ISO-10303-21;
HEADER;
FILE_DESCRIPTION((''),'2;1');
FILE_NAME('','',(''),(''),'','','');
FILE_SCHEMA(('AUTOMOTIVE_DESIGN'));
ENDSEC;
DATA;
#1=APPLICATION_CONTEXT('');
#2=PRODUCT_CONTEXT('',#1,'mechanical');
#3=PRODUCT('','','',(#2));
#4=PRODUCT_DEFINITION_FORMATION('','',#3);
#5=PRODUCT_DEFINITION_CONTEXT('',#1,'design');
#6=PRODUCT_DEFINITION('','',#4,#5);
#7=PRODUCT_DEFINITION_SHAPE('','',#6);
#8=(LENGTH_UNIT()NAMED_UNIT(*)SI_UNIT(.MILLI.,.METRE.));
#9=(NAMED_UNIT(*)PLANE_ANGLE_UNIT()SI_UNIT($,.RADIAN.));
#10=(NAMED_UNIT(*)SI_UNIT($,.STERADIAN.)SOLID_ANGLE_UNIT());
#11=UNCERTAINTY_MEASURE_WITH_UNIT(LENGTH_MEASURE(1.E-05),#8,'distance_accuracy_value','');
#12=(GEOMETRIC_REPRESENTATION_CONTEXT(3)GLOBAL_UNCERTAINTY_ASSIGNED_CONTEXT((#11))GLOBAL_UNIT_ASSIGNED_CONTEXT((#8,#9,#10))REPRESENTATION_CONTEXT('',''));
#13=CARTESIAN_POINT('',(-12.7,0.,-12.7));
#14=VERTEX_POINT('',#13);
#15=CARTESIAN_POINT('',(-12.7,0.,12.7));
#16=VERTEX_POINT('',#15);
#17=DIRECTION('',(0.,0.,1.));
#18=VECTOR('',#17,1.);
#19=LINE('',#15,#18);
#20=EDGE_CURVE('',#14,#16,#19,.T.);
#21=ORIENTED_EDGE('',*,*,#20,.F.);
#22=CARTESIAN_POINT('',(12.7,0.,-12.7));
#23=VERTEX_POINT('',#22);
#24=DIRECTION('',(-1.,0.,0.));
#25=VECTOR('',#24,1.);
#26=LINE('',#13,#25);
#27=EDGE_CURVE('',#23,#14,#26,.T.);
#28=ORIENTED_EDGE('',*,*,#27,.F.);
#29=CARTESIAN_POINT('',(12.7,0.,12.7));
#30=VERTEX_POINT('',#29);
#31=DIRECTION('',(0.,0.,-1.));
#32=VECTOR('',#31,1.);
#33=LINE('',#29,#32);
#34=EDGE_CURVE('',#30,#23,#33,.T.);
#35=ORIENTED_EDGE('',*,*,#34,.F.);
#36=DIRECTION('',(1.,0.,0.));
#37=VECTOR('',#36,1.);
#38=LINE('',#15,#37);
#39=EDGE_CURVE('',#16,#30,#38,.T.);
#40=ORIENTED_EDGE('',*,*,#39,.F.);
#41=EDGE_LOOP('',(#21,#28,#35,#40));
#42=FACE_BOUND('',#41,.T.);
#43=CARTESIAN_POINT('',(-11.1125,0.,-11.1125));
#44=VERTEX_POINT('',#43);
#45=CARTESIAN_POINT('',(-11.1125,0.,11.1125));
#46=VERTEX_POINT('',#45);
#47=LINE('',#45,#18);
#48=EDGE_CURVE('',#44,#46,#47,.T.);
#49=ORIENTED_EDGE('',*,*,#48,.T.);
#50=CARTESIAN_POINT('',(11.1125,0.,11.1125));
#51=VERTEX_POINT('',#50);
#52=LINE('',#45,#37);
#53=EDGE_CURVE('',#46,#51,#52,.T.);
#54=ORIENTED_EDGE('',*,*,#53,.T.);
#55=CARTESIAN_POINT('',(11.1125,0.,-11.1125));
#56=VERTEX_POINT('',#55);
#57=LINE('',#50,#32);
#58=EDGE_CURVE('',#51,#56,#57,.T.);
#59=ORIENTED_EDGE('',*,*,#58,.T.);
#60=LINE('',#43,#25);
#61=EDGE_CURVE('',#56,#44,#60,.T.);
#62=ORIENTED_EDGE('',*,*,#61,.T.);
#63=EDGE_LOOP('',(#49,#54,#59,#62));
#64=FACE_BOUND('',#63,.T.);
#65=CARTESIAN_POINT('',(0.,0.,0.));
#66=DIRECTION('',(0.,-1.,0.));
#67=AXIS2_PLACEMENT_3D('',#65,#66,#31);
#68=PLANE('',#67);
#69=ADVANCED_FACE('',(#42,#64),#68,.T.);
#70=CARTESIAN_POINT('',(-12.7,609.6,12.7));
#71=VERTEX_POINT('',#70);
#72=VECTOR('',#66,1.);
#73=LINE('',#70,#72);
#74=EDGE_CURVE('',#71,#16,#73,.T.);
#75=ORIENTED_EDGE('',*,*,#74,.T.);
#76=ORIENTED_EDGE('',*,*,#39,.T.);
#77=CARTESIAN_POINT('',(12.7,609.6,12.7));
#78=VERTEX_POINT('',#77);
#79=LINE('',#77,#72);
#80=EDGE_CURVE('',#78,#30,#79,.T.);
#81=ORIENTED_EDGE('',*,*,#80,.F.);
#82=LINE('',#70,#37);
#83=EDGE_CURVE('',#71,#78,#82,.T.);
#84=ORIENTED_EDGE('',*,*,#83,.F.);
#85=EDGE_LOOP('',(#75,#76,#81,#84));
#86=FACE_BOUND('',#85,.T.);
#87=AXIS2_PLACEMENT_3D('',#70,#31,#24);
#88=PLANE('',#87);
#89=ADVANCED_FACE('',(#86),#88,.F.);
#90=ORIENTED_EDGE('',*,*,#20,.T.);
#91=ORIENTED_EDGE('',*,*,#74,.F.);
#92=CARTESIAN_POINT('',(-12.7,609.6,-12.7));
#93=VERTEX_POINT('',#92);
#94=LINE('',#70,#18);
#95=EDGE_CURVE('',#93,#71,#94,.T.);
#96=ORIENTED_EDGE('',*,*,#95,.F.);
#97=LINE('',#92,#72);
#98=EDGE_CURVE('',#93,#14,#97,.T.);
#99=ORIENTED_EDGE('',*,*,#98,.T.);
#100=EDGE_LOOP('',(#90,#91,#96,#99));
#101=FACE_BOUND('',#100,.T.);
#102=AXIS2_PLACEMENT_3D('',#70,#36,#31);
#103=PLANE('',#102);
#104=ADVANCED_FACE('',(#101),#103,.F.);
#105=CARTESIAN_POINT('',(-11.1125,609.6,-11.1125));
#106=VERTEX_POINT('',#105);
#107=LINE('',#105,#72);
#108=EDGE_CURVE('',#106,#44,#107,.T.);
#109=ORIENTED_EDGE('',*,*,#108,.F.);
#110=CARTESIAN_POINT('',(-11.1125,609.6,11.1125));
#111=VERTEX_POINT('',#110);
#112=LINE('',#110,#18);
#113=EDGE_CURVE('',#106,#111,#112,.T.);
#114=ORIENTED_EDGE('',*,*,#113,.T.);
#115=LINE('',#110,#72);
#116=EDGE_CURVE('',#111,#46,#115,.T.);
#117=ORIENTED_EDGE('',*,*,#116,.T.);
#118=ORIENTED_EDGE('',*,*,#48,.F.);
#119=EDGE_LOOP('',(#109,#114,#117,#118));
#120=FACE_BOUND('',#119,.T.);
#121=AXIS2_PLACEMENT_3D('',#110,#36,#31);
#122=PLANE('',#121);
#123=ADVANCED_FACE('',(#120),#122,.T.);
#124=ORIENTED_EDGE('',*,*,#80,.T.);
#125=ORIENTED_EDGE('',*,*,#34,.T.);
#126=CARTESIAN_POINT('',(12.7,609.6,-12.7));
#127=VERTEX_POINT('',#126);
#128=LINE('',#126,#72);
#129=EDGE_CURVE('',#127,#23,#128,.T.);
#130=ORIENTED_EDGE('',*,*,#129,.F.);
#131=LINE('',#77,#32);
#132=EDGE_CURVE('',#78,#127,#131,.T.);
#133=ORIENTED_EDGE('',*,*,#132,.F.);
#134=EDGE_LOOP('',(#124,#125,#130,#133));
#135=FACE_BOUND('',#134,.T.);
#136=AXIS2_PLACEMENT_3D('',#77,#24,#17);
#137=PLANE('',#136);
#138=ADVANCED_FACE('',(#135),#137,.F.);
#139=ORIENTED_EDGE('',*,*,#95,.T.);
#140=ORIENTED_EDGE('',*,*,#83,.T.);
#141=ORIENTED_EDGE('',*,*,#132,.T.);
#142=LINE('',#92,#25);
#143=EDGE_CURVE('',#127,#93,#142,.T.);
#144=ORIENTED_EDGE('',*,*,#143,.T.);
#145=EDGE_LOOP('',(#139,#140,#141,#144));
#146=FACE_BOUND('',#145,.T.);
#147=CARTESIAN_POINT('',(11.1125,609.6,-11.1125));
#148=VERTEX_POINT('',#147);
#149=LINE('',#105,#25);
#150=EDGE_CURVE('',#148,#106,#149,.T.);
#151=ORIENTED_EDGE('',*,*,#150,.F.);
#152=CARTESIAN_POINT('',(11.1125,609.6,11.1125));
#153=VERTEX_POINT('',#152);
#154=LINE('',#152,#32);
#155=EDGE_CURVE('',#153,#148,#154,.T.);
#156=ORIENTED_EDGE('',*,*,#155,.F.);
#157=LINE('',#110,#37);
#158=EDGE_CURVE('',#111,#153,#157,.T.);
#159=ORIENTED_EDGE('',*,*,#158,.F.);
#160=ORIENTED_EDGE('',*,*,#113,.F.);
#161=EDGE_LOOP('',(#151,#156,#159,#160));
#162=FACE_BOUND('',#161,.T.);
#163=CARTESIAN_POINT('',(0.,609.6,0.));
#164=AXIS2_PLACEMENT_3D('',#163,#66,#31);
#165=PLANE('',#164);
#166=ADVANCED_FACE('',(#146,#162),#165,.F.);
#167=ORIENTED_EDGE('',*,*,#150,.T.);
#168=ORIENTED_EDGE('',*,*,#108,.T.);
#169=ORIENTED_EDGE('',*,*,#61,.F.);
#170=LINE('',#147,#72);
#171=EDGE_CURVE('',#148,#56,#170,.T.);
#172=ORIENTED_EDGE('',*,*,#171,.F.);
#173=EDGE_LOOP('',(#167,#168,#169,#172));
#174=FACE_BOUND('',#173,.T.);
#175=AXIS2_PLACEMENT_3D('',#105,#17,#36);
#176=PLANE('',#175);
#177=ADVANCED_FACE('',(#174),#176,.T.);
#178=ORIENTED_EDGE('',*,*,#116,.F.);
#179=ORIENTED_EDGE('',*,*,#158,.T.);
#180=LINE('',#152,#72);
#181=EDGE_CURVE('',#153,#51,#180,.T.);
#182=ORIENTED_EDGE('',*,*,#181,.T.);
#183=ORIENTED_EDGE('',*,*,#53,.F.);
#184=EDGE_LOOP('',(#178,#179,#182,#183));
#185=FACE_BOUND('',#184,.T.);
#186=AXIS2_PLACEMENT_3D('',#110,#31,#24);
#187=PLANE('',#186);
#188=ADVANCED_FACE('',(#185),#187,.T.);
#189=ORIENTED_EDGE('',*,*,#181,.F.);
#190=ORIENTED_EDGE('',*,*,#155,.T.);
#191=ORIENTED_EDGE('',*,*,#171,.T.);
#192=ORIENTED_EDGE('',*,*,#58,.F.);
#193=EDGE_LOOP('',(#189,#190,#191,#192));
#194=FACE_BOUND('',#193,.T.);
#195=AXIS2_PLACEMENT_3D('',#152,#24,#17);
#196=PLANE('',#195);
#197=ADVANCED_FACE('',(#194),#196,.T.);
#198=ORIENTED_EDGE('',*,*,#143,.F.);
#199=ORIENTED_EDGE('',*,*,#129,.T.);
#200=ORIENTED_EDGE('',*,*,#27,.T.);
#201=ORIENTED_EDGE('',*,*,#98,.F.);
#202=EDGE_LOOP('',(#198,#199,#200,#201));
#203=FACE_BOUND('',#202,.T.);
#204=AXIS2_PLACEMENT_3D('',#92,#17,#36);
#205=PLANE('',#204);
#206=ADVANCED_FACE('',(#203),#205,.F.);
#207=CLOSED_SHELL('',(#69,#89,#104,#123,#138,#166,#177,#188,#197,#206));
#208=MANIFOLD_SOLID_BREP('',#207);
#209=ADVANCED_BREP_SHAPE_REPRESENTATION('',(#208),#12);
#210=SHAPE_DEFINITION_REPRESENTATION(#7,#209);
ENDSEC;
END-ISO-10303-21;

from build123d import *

# Parameters (mm, degrees)
SKETCH1_W           = 25.4
SKETCH1_H           = 25.4
SKETCH1_W_2         = 22.225
SKETCH1_H_2         = 22.225
BOSS_EXTRUDE1_DEPTH = 609.6


with BuildPart() as part:
    # Sketch1 → Boss-Extrude1 (new body)
    with BuildSketch(Plane(origin=(0, 0, 0), x_dir=(1, 0, 0), z_dir=(0, 1, 0))):
        Rectangle(SKETCH1_W, SKETCH1_H)
        Rectangle(SKETCH1_W_2, SKETCH1_H_2, mode=Mode.SUBTRACT)
    extrude(amount=BOSS_EXTRUDE1_DEPTH)


solid = part.part
